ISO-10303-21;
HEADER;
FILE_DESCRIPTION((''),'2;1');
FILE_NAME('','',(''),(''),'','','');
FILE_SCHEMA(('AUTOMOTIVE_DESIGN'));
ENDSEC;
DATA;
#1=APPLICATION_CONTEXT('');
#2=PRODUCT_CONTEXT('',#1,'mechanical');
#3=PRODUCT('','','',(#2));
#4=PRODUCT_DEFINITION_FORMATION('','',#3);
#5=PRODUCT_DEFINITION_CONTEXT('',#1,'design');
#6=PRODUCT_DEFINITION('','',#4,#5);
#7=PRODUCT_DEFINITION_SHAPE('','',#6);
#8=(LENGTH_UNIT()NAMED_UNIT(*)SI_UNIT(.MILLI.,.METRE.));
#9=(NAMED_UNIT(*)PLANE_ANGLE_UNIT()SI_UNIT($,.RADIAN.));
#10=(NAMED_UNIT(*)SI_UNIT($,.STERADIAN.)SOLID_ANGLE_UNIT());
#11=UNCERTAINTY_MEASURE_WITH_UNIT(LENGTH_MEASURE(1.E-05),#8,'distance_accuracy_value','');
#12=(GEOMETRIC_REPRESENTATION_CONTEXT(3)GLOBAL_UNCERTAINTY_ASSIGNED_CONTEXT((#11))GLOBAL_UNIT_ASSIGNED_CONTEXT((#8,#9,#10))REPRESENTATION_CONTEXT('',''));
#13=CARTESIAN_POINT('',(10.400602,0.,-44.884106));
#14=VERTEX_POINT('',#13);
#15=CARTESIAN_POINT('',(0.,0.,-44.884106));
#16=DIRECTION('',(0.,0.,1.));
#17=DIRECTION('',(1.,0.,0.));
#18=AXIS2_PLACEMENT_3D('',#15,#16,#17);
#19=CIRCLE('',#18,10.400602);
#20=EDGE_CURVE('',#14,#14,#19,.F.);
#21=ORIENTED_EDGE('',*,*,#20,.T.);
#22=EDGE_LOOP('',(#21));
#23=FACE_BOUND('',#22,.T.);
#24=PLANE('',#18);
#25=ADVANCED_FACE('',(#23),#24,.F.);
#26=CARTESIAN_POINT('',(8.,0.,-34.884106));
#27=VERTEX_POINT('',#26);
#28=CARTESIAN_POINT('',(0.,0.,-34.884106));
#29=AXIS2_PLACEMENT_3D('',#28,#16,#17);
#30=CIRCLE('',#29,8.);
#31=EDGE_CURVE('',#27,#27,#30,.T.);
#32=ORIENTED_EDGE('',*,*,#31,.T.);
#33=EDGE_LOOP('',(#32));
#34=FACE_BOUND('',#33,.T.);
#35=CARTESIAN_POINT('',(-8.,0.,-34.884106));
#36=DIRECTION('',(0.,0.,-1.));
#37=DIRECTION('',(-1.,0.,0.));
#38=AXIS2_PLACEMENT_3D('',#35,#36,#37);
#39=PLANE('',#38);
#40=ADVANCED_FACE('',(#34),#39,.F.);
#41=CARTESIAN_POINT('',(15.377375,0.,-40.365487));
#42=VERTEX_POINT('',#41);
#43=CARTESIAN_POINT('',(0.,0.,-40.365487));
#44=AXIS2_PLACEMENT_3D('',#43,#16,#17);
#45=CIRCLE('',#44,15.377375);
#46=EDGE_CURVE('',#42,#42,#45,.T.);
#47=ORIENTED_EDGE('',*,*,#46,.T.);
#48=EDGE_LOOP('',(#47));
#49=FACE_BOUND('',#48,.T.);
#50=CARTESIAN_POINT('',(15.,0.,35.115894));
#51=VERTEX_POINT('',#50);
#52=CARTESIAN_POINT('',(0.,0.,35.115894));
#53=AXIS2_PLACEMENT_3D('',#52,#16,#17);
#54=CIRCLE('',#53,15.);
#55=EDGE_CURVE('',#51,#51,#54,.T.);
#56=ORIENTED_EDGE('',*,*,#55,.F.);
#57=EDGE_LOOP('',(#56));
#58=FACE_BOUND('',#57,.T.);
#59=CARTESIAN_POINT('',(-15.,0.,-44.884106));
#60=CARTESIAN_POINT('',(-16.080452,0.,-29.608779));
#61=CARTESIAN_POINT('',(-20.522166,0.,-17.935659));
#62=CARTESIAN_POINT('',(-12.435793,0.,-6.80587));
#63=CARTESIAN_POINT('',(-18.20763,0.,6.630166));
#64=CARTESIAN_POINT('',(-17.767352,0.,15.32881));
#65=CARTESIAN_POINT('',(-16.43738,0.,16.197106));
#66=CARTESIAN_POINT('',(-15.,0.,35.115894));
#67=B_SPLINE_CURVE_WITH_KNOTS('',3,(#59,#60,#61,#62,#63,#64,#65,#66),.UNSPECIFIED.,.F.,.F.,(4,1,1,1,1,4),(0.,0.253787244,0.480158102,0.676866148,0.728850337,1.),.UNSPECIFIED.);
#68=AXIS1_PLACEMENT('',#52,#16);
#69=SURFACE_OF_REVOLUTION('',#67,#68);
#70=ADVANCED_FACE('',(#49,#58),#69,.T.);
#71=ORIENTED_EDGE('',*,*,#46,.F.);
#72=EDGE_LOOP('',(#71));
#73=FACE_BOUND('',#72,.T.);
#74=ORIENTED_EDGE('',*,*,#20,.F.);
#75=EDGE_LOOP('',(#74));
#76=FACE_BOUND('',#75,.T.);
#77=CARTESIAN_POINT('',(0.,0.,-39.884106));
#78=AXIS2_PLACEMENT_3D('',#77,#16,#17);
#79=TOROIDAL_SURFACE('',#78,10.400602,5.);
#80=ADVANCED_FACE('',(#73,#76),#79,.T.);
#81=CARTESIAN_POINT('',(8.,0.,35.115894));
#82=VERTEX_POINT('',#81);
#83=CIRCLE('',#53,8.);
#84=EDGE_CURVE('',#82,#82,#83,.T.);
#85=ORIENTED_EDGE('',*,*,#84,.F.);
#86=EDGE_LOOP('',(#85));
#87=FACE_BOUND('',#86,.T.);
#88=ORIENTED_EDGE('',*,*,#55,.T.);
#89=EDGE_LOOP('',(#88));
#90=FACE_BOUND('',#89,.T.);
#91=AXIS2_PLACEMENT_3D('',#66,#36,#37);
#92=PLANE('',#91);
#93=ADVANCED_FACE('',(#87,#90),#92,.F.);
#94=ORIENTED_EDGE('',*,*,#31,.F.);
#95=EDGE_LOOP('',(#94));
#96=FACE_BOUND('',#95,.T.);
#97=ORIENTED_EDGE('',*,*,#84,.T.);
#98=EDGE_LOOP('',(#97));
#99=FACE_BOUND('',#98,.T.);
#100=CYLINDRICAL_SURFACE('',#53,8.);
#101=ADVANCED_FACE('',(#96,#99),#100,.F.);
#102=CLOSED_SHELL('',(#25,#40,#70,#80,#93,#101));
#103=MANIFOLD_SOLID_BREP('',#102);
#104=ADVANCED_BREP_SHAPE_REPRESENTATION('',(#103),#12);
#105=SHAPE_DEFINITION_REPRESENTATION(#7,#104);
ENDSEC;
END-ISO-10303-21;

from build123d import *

# Parameters (mm, degrees)
FILETE1_R = 5


with BuildPart() as part:
    # Esboço1 → Revolução1 (revolve)
    with BuildSketch(Plane(origin=(0, 0, 0), x_dir=(1, 0, 0), z_dir=(0, 1, 0)), mode=Mode.PRIVATE) as revolu_o1_sk:
        with BuildLine():
            Line((-8, -35.11589404), (-8, 34.88410596))
            Line((-8, 34.88410596), (0, 34.88410596))
            Line((0, 34.88410596), (0, 44.88410596))
            Line((0, 44.88410596), (-15, 44.88410596))
            add(Edge.make_bspline(
                [(-15, -35.11589404), (-16.437380329, -16.197105938), (-17.767351708, -15.328809785), (-18.207630349, -6.630166317), (-12.435792941, 6.805870236), (-20.522166091, 17.935658643), (-16.080452493, 29.608779359), (-15, 44.88410596)],
                knots=[0, 0, 0, 0, 0.271149663, 0.323133852, 0.519841898, 0.746212756, 1, 1, 1, 1], degree=3))
            Line((-15, -35.11589404), (-8, -35.11589404))
        make_face()
    revolve(revolu_o1_sk.sketch.rotate(Axis((0, 0, 35.11589404), (0, 0, -1)), 180), axis=Axis((0, 0, 35.11589404), (0, 0, -1)))

    # Filete1
    filete1_edges = [part.edges().sort_by_distance(p)[0] for p in [
        (-15, 0, -44.88410596),
    ]]
    fillet(filete1_edges, radius=FILETE1_R)


solid = part.part
